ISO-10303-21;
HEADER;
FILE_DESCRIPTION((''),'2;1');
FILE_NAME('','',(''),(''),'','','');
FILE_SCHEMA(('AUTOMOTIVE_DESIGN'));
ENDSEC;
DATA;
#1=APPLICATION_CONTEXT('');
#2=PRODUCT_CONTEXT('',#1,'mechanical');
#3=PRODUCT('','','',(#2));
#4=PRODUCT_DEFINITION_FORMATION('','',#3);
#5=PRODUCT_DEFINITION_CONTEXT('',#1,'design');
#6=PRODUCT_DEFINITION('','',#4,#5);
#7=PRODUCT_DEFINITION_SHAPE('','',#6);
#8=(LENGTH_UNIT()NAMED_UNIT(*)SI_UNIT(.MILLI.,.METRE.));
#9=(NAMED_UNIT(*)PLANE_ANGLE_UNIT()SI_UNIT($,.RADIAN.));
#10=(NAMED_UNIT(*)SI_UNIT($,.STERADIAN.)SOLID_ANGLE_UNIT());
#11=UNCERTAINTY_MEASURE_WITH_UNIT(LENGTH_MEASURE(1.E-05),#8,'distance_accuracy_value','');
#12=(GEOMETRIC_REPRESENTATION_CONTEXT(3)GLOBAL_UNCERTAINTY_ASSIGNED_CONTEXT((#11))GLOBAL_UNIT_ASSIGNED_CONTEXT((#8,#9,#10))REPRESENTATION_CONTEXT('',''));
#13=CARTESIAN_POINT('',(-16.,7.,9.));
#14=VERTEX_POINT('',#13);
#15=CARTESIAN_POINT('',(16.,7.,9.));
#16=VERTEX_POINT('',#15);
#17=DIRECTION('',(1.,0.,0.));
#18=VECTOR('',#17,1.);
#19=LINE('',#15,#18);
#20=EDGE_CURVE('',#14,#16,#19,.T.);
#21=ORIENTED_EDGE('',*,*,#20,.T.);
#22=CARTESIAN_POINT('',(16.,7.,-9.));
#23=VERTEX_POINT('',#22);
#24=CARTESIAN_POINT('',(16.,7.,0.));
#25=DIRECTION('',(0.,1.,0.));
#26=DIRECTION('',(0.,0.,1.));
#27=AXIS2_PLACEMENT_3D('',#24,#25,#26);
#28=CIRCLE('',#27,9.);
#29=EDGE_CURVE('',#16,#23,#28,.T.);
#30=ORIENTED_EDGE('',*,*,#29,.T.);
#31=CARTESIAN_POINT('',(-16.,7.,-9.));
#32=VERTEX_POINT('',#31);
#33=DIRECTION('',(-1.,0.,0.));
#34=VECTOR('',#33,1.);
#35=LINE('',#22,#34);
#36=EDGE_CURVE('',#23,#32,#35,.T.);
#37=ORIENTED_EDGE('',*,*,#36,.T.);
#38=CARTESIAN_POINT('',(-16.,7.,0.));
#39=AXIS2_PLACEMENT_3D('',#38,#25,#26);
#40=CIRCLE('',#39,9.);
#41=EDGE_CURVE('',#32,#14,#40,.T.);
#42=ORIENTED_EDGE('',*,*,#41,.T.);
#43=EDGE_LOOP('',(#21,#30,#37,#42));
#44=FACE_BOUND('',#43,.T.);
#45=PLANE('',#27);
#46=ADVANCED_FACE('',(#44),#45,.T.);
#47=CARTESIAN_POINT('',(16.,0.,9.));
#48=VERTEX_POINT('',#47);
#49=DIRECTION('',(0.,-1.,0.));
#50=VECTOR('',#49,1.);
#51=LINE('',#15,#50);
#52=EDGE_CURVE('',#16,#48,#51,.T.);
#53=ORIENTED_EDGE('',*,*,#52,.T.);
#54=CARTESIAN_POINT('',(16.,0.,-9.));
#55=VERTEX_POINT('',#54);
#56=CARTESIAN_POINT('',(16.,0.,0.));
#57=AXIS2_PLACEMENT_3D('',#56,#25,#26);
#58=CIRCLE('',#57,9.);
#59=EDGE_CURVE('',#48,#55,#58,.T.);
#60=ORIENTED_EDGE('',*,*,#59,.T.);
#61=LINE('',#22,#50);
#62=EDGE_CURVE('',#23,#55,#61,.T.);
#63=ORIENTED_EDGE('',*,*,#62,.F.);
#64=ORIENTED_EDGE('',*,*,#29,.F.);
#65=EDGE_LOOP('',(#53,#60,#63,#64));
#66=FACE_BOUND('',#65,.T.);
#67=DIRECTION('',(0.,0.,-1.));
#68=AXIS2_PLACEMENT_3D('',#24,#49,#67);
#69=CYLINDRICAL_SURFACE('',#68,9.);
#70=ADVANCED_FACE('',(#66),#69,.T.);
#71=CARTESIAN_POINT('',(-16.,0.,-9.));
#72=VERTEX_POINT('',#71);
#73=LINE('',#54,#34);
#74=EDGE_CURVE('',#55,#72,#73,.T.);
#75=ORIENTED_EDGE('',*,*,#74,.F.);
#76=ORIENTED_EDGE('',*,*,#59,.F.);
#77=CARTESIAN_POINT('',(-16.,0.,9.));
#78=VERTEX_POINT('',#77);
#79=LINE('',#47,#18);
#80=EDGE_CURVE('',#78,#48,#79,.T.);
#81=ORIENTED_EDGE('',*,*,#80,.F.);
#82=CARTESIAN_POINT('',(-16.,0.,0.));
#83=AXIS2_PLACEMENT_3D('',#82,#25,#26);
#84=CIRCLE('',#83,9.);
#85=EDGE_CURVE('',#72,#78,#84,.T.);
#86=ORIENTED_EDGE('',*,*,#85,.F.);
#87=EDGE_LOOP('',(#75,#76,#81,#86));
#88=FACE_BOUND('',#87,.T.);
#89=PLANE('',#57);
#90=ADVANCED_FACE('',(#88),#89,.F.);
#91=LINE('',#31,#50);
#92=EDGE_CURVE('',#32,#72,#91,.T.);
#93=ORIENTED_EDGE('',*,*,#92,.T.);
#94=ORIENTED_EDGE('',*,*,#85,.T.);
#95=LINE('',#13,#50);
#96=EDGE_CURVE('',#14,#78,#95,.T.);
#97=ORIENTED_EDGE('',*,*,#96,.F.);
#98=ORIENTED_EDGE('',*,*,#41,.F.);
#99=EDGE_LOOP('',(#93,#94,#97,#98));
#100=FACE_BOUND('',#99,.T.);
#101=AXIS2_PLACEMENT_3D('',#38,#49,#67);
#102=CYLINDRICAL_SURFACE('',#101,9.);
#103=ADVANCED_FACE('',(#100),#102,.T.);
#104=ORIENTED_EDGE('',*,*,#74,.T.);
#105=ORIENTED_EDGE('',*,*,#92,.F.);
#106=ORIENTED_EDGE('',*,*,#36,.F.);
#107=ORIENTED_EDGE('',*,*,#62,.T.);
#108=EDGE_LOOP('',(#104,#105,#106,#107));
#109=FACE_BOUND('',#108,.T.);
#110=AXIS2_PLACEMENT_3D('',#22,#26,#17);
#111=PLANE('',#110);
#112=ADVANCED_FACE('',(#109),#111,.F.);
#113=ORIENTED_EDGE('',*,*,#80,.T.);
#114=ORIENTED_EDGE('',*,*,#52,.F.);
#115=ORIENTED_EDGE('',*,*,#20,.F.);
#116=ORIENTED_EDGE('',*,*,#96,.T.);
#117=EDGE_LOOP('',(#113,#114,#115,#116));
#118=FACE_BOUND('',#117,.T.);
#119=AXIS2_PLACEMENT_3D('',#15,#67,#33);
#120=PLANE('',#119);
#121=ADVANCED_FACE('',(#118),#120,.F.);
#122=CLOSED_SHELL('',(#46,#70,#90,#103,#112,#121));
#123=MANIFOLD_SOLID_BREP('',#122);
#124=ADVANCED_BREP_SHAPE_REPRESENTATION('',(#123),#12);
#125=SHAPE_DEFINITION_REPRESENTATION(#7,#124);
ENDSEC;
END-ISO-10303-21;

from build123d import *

# Parameters (mm, degrees)
BOSS_EXTRUDE1_DEPTH = 7


with BuildPart() as part:
    # Sketch1 → Boss-Extrude1 (new body)
    with BuildSketch(Plane(origin=(0, 0, 0), x_dir=(1, 0, 0), z_dir=(0, 1, 0))):
        with BuildLine():
            Line((16, -9), (-16, -9))
            ThreePointArc((-16, -9), (-25, 0), (-16, 9))
            Line((-16, 9), (16, 9))
            ThreePointArc((16, 9), (25, 0), (16, -9))
        make_face()
    extrude(amount=BOSS_EXTRUDE1_DEPTH)


solid = part.part
